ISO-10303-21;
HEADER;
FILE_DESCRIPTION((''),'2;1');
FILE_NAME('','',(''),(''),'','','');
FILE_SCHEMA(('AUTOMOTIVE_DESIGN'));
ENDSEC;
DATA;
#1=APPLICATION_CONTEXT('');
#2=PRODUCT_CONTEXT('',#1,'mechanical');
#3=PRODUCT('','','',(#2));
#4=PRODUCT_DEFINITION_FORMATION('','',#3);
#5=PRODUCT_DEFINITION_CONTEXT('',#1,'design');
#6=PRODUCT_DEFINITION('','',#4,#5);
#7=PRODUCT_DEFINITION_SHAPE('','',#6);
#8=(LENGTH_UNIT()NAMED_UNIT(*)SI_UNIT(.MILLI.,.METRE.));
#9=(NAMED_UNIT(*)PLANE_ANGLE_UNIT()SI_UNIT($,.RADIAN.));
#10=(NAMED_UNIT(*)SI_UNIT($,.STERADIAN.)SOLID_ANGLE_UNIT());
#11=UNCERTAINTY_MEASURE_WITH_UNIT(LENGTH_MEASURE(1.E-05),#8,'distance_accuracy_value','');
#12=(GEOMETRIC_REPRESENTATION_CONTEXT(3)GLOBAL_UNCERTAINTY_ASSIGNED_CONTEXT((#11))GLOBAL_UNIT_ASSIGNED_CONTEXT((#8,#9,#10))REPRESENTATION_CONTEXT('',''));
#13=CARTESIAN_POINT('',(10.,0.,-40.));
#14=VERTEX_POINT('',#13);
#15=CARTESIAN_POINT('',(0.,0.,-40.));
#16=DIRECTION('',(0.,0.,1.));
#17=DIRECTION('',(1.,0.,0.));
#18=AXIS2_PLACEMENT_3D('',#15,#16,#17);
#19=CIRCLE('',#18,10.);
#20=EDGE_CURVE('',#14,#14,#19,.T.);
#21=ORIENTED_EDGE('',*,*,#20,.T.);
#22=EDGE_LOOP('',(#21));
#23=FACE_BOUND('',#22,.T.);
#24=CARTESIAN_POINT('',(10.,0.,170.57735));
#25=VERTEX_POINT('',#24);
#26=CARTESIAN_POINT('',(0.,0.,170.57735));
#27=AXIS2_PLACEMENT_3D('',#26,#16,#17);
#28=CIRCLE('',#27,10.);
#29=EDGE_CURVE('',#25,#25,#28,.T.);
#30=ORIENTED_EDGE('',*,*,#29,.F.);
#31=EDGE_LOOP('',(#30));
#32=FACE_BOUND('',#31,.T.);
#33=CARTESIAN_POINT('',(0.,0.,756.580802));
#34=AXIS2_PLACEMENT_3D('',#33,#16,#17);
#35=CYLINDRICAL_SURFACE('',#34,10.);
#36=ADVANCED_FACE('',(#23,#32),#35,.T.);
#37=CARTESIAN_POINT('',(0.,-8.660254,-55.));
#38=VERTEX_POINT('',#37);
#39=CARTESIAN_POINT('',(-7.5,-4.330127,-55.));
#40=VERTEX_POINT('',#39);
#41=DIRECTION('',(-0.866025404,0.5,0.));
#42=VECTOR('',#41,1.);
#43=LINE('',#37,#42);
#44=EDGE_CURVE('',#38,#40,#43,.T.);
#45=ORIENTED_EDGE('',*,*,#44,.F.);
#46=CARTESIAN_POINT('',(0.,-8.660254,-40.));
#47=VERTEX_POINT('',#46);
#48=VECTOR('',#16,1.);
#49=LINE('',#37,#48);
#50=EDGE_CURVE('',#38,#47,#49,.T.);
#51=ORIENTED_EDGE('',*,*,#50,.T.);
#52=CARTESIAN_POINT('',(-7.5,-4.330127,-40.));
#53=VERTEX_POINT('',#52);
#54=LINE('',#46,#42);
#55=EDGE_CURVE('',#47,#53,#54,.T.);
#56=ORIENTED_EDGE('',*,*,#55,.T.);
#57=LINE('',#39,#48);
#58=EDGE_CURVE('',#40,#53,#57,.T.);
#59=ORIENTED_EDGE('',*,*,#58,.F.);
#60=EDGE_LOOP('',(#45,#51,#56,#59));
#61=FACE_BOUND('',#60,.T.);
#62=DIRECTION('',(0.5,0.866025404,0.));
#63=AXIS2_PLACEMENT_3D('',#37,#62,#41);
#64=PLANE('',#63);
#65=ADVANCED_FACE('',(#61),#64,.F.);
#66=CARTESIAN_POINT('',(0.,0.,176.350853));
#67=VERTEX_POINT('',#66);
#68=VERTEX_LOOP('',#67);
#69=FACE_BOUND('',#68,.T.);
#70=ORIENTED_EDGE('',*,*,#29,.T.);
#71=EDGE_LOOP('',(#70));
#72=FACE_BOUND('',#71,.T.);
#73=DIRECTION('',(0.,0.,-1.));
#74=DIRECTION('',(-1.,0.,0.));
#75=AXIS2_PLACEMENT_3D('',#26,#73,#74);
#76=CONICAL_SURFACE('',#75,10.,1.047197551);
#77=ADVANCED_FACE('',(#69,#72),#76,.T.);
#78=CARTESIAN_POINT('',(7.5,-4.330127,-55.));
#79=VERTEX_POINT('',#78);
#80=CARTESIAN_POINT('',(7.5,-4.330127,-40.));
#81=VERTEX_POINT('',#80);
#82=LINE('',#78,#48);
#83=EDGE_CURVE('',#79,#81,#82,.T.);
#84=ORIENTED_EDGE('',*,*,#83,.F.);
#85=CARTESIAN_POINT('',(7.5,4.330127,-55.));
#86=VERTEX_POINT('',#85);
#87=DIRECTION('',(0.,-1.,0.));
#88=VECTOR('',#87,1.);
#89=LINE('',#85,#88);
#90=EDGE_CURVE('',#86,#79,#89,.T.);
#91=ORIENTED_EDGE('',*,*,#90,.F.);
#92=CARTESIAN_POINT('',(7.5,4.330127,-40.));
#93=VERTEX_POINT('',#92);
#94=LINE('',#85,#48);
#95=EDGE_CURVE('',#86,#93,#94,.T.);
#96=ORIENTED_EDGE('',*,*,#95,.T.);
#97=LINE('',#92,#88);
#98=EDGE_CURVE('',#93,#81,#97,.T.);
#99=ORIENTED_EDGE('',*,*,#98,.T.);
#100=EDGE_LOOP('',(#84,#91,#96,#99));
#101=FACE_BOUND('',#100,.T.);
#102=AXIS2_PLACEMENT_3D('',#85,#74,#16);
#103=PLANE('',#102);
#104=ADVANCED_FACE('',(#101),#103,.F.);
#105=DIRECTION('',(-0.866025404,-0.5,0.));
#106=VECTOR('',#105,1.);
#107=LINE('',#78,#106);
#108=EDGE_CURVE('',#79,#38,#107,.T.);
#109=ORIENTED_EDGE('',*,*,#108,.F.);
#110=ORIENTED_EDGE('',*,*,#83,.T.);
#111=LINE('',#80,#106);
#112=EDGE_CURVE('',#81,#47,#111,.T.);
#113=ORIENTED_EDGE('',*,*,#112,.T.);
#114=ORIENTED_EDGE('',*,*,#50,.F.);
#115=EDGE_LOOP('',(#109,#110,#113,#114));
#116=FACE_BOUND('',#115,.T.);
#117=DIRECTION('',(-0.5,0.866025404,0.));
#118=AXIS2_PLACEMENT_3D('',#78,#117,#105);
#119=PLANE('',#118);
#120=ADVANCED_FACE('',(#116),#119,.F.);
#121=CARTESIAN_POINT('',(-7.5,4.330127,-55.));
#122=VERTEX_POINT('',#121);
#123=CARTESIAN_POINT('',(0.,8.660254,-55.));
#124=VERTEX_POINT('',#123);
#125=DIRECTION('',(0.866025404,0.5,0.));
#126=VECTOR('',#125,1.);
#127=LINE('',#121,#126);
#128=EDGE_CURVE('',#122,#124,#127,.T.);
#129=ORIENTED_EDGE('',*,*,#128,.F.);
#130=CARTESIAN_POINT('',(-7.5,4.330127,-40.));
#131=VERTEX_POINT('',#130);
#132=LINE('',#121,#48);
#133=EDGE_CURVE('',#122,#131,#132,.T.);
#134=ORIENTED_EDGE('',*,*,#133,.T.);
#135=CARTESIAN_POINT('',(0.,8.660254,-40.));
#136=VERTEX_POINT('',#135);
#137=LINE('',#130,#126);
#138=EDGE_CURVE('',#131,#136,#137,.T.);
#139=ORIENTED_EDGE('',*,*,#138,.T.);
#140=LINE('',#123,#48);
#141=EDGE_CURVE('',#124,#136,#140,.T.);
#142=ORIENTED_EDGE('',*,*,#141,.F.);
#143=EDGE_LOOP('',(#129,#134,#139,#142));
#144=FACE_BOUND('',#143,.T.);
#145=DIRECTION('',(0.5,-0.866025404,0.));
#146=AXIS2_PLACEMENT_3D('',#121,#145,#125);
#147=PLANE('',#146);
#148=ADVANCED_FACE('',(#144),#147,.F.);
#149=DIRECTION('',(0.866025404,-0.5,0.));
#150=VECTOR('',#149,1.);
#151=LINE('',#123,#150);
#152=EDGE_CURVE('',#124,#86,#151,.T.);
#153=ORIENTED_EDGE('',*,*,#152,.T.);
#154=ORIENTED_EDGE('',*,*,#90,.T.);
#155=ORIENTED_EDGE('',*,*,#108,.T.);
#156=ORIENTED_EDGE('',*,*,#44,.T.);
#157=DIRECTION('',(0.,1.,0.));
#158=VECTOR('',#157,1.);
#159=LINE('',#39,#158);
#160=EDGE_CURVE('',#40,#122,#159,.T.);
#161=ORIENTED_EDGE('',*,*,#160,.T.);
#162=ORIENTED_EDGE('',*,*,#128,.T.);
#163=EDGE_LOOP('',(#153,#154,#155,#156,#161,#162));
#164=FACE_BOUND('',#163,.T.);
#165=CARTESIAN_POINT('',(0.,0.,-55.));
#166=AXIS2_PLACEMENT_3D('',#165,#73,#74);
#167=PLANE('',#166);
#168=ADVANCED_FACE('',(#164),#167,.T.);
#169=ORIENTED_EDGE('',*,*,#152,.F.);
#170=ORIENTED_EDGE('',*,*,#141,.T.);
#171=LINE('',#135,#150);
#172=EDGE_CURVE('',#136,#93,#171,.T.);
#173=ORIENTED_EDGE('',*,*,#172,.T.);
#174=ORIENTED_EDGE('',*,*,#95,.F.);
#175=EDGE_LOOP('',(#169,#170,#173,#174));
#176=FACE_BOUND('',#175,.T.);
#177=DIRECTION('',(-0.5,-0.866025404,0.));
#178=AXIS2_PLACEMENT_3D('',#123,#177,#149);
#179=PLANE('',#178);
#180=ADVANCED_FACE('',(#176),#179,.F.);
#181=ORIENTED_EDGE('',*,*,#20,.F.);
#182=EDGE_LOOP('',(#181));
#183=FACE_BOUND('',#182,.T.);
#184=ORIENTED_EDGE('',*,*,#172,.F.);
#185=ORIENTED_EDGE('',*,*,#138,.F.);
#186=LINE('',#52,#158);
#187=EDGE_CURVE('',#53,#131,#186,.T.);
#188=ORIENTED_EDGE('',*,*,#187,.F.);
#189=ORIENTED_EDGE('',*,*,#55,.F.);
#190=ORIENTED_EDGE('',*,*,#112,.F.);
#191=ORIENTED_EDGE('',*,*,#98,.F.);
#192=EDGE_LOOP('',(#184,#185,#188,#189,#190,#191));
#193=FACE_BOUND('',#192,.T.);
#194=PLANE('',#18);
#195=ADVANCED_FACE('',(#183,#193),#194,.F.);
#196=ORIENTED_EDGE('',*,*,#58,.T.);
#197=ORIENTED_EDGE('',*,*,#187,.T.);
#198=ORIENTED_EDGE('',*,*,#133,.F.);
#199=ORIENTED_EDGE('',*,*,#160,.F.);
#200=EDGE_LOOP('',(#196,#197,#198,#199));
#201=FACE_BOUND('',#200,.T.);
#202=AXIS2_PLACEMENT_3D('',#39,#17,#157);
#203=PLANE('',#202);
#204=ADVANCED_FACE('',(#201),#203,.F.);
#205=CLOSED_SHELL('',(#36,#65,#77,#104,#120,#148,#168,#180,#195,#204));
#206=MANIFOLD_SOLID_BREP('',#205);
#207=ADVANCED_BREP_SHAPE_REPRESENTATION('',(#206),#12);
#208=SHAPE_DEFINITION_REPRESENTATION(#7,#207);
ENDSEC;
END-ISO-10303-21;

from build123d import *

# Parameters (mm, degrees)
EXTRUDE_1_DEPTH = 15


with BuildPart() as part:
    # Эскиз1 → Повернуть1 (revolve)
    with BuildSketch(Plane(origin=(0, 0, 0), x_dir=(0, 0, -1), z_dir=(1, 0, 0))):
        Polygon((-176.350852961, 0), (40, 0), (40, 10), (-170.577350269, 10), align=None)
    revolve(axis=Axis((0, 0, 756.580802456), (0, 0, -1)))

    # Эскиз4 → Бобышка-Вытянуть1 (add)
    with BuildSketch(Plane(origin=(0, 0, -40), x_dir=(-1, 0, 0), z_dir=(0, 0, -1))):
        Polygon((0, 8.660254038), (-7.5, 4.330127019), (-7.5, -4.330127019), (0, -8.660254038), (7.5, -4.330127019), (7.5, 4.330127019), align=None)
    extrude(amount=EXTRUDE_1_DEPTH)


solid = part.part
